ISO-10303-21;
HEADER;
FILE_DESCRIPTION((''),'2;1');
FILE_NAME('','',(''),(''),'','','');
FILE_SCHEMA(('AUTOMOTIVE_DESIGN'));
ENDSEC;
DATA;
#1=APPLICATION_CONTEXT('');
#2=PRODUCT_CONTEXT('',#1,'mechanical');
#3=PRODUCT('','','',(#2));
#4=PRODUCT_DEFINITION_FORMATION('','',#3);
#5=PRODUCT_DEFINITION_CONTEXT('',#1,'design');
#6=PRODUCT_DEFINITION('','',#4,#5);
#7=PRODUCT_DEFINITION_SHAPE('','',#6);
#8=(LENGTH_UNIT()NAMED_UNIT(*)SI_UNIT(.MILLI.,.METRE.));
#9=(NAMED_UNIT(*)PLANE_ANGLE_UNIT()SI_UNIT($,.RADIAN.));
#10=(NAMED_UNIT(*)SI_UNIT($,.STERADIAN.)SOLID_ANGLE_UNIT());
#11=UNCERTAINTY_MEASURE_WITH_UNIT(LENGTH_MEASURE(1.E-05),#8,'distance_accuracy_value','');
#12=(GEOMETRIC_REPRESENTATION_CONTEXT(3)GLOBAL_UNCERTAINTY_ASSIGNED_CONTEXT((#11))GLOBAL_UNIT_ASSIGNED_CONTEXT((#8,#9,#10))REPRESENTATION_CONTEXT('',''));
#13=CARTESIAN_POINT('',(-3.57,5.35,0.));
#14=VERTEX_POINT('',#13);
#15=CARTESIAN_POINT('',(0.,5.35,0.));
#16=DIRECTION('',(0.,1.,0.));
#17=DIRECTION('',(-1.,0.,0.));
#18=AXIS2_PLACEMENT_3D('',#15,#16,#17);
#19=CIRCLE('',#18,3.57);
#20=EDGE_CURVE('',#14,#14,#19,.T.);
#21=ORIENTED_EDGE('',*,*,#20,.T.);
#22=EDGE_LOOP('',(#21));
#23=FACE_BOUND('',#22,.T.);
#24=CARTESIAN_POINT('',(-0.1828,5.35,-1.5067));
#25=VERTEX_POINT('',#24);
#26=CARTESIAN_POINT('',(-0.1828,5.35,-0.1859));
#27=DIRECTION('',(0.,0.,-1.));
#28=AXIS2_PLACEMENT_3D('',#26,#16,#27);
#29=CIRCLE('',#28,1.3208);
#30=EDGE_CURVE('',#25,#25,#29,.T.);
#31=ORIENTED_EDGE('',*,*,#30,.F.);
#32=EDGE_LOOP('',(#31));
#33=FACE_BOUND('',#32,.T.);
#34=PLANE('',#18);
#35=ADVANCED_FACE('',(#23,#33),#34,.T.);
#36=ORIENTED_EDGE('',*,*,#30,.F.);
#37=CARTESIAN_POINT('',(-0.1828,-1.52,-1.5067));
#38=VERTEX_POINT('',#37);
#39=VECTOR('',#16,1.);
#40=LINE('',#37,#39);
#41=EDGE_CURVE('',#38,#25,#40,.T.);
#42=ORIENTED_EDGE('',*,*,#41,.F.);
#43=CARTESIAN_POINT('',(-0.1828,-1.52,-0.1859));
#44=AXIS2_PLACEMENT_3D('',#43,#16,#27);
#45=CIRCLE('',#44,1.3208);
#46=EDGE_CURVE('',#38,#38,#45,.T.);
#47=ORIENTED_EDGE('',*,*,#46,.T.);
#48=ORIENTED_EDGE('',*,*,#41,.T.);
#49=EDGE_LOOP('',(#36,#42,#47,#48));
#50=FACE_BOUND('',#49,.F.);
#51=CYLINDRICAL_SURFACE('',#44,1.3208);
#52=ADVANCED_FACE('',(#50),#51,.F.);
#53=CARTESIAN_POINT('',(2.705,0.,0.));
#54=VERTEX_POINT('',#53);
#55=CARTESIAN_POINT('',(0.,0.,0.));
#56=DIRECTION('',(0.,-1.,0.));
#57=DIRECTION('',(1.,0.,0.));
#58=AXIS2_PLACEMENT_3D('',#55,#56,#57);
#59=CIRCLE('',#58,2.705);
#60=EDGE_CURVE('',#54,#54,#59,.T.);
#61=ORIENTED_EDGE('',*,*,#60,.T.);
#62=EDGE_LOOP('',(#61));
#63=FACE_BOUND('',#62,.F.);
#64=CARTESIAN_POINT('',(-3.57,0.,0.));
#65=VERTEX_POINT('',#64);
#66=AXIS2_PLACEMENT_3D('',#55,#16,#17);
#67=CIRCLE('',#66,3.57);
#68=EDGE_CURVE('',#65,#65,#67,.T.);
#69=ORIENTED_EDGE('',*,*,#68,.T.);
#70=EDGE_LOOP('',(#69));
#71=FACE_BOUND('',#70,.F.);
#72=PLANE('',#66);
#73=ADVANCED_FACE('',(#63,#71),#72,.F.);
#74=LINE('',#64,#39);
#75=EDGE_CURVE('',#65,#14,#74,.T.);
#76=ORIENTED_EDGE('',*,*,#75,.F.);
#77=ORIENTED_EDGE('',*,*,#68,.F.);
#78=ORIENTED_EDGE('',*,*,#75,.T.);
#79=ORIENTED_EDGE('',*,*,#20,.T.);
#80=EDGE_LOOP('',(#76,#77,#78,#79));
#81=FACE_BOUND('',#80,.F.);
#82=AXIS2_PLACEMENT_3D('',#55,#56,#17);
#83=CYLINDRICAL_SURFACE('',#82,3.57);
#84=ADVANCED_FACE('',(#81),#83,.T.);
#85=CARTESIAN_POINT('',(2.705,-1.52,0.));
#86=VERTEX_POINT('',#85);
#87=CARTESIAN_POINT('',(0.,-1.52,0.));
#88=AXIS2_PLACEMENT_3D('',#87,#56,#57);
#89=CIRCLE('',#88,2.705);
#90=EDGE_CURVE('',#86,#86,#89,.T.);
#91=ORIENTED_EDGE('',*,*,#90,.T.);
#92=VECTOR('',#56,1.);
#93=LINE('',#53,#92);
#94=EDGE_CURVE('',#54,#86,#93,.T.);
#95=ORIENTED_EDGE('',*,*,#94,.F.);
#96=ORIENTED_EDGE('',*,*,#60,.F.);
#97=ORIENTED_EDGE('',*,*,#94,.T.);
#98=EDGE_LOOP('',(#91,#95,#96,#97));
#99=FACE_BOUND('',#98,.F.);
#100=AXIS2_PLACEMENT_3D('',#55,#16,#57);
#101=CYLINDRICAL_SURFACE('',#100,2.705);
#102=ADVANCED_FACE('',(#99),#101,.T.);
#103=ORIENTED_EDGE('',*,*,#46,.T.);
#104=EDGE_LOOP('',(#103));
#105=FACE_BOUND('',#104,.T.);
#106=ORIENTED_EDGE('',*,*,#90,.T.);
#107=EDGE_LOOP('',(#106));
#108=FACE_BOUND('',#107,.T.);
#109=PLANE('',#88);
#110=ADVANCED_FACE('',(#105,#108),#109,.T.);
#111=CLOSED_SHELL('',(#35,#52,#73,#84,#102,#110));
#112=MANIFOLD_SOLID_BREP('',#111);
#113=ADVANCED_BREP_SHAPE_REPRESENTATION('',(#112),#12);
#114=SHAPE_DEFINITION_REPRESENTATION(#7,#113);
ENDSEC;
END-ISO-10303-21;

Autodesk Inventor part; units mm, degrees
ref_plane "YZ Plane" through (0, 0, 0) normal (1, 0, 0) x (0, 1, 0)
ref_plane "XZ Plane" through (0, 0, 0) normal (0, 1, 0) x (-1, 0, 0)
ref_plane "XY Plane" through (0, 0, 0) normal (0, 0, 1) x (1, 0, 0)
sketch "Sketch1" plane through (0, 0, 0) normal (0, 1, 0) x (-1, 0, 0)
  circle A0 centre (0, 0) radius 3.57
  dimension "d0" = 7.14
extrude "Extrusion1" add sketch "Sketch1" along normal blind 5.35
sketch "Sketch2" plane through (0, 0, 0) normal (0, -1, 0) x (1, 0, 0)
  circle A0 centre (0, 0) radius 2.705
  dimension "d3" = 5.41
extrude "Extrusion2" add sketch "Sketch2" along normal blind 1.52
sketch "Sketch3" plane through (0, -1.52, 0) normal (0, -1, 0) x (1, 0, 0)
  point P0 (0, 0)
  point P1 (-0.1828, -0.1859)
hole "Hole1" at (-0.1828, -1.52, -0.1859) direction (0, 1, 0) diameter 2.6416 end through all thread size "6-32 UNC" class "2B" standard "ANSI Unified Screw Threads"
properties part number "spacer"
